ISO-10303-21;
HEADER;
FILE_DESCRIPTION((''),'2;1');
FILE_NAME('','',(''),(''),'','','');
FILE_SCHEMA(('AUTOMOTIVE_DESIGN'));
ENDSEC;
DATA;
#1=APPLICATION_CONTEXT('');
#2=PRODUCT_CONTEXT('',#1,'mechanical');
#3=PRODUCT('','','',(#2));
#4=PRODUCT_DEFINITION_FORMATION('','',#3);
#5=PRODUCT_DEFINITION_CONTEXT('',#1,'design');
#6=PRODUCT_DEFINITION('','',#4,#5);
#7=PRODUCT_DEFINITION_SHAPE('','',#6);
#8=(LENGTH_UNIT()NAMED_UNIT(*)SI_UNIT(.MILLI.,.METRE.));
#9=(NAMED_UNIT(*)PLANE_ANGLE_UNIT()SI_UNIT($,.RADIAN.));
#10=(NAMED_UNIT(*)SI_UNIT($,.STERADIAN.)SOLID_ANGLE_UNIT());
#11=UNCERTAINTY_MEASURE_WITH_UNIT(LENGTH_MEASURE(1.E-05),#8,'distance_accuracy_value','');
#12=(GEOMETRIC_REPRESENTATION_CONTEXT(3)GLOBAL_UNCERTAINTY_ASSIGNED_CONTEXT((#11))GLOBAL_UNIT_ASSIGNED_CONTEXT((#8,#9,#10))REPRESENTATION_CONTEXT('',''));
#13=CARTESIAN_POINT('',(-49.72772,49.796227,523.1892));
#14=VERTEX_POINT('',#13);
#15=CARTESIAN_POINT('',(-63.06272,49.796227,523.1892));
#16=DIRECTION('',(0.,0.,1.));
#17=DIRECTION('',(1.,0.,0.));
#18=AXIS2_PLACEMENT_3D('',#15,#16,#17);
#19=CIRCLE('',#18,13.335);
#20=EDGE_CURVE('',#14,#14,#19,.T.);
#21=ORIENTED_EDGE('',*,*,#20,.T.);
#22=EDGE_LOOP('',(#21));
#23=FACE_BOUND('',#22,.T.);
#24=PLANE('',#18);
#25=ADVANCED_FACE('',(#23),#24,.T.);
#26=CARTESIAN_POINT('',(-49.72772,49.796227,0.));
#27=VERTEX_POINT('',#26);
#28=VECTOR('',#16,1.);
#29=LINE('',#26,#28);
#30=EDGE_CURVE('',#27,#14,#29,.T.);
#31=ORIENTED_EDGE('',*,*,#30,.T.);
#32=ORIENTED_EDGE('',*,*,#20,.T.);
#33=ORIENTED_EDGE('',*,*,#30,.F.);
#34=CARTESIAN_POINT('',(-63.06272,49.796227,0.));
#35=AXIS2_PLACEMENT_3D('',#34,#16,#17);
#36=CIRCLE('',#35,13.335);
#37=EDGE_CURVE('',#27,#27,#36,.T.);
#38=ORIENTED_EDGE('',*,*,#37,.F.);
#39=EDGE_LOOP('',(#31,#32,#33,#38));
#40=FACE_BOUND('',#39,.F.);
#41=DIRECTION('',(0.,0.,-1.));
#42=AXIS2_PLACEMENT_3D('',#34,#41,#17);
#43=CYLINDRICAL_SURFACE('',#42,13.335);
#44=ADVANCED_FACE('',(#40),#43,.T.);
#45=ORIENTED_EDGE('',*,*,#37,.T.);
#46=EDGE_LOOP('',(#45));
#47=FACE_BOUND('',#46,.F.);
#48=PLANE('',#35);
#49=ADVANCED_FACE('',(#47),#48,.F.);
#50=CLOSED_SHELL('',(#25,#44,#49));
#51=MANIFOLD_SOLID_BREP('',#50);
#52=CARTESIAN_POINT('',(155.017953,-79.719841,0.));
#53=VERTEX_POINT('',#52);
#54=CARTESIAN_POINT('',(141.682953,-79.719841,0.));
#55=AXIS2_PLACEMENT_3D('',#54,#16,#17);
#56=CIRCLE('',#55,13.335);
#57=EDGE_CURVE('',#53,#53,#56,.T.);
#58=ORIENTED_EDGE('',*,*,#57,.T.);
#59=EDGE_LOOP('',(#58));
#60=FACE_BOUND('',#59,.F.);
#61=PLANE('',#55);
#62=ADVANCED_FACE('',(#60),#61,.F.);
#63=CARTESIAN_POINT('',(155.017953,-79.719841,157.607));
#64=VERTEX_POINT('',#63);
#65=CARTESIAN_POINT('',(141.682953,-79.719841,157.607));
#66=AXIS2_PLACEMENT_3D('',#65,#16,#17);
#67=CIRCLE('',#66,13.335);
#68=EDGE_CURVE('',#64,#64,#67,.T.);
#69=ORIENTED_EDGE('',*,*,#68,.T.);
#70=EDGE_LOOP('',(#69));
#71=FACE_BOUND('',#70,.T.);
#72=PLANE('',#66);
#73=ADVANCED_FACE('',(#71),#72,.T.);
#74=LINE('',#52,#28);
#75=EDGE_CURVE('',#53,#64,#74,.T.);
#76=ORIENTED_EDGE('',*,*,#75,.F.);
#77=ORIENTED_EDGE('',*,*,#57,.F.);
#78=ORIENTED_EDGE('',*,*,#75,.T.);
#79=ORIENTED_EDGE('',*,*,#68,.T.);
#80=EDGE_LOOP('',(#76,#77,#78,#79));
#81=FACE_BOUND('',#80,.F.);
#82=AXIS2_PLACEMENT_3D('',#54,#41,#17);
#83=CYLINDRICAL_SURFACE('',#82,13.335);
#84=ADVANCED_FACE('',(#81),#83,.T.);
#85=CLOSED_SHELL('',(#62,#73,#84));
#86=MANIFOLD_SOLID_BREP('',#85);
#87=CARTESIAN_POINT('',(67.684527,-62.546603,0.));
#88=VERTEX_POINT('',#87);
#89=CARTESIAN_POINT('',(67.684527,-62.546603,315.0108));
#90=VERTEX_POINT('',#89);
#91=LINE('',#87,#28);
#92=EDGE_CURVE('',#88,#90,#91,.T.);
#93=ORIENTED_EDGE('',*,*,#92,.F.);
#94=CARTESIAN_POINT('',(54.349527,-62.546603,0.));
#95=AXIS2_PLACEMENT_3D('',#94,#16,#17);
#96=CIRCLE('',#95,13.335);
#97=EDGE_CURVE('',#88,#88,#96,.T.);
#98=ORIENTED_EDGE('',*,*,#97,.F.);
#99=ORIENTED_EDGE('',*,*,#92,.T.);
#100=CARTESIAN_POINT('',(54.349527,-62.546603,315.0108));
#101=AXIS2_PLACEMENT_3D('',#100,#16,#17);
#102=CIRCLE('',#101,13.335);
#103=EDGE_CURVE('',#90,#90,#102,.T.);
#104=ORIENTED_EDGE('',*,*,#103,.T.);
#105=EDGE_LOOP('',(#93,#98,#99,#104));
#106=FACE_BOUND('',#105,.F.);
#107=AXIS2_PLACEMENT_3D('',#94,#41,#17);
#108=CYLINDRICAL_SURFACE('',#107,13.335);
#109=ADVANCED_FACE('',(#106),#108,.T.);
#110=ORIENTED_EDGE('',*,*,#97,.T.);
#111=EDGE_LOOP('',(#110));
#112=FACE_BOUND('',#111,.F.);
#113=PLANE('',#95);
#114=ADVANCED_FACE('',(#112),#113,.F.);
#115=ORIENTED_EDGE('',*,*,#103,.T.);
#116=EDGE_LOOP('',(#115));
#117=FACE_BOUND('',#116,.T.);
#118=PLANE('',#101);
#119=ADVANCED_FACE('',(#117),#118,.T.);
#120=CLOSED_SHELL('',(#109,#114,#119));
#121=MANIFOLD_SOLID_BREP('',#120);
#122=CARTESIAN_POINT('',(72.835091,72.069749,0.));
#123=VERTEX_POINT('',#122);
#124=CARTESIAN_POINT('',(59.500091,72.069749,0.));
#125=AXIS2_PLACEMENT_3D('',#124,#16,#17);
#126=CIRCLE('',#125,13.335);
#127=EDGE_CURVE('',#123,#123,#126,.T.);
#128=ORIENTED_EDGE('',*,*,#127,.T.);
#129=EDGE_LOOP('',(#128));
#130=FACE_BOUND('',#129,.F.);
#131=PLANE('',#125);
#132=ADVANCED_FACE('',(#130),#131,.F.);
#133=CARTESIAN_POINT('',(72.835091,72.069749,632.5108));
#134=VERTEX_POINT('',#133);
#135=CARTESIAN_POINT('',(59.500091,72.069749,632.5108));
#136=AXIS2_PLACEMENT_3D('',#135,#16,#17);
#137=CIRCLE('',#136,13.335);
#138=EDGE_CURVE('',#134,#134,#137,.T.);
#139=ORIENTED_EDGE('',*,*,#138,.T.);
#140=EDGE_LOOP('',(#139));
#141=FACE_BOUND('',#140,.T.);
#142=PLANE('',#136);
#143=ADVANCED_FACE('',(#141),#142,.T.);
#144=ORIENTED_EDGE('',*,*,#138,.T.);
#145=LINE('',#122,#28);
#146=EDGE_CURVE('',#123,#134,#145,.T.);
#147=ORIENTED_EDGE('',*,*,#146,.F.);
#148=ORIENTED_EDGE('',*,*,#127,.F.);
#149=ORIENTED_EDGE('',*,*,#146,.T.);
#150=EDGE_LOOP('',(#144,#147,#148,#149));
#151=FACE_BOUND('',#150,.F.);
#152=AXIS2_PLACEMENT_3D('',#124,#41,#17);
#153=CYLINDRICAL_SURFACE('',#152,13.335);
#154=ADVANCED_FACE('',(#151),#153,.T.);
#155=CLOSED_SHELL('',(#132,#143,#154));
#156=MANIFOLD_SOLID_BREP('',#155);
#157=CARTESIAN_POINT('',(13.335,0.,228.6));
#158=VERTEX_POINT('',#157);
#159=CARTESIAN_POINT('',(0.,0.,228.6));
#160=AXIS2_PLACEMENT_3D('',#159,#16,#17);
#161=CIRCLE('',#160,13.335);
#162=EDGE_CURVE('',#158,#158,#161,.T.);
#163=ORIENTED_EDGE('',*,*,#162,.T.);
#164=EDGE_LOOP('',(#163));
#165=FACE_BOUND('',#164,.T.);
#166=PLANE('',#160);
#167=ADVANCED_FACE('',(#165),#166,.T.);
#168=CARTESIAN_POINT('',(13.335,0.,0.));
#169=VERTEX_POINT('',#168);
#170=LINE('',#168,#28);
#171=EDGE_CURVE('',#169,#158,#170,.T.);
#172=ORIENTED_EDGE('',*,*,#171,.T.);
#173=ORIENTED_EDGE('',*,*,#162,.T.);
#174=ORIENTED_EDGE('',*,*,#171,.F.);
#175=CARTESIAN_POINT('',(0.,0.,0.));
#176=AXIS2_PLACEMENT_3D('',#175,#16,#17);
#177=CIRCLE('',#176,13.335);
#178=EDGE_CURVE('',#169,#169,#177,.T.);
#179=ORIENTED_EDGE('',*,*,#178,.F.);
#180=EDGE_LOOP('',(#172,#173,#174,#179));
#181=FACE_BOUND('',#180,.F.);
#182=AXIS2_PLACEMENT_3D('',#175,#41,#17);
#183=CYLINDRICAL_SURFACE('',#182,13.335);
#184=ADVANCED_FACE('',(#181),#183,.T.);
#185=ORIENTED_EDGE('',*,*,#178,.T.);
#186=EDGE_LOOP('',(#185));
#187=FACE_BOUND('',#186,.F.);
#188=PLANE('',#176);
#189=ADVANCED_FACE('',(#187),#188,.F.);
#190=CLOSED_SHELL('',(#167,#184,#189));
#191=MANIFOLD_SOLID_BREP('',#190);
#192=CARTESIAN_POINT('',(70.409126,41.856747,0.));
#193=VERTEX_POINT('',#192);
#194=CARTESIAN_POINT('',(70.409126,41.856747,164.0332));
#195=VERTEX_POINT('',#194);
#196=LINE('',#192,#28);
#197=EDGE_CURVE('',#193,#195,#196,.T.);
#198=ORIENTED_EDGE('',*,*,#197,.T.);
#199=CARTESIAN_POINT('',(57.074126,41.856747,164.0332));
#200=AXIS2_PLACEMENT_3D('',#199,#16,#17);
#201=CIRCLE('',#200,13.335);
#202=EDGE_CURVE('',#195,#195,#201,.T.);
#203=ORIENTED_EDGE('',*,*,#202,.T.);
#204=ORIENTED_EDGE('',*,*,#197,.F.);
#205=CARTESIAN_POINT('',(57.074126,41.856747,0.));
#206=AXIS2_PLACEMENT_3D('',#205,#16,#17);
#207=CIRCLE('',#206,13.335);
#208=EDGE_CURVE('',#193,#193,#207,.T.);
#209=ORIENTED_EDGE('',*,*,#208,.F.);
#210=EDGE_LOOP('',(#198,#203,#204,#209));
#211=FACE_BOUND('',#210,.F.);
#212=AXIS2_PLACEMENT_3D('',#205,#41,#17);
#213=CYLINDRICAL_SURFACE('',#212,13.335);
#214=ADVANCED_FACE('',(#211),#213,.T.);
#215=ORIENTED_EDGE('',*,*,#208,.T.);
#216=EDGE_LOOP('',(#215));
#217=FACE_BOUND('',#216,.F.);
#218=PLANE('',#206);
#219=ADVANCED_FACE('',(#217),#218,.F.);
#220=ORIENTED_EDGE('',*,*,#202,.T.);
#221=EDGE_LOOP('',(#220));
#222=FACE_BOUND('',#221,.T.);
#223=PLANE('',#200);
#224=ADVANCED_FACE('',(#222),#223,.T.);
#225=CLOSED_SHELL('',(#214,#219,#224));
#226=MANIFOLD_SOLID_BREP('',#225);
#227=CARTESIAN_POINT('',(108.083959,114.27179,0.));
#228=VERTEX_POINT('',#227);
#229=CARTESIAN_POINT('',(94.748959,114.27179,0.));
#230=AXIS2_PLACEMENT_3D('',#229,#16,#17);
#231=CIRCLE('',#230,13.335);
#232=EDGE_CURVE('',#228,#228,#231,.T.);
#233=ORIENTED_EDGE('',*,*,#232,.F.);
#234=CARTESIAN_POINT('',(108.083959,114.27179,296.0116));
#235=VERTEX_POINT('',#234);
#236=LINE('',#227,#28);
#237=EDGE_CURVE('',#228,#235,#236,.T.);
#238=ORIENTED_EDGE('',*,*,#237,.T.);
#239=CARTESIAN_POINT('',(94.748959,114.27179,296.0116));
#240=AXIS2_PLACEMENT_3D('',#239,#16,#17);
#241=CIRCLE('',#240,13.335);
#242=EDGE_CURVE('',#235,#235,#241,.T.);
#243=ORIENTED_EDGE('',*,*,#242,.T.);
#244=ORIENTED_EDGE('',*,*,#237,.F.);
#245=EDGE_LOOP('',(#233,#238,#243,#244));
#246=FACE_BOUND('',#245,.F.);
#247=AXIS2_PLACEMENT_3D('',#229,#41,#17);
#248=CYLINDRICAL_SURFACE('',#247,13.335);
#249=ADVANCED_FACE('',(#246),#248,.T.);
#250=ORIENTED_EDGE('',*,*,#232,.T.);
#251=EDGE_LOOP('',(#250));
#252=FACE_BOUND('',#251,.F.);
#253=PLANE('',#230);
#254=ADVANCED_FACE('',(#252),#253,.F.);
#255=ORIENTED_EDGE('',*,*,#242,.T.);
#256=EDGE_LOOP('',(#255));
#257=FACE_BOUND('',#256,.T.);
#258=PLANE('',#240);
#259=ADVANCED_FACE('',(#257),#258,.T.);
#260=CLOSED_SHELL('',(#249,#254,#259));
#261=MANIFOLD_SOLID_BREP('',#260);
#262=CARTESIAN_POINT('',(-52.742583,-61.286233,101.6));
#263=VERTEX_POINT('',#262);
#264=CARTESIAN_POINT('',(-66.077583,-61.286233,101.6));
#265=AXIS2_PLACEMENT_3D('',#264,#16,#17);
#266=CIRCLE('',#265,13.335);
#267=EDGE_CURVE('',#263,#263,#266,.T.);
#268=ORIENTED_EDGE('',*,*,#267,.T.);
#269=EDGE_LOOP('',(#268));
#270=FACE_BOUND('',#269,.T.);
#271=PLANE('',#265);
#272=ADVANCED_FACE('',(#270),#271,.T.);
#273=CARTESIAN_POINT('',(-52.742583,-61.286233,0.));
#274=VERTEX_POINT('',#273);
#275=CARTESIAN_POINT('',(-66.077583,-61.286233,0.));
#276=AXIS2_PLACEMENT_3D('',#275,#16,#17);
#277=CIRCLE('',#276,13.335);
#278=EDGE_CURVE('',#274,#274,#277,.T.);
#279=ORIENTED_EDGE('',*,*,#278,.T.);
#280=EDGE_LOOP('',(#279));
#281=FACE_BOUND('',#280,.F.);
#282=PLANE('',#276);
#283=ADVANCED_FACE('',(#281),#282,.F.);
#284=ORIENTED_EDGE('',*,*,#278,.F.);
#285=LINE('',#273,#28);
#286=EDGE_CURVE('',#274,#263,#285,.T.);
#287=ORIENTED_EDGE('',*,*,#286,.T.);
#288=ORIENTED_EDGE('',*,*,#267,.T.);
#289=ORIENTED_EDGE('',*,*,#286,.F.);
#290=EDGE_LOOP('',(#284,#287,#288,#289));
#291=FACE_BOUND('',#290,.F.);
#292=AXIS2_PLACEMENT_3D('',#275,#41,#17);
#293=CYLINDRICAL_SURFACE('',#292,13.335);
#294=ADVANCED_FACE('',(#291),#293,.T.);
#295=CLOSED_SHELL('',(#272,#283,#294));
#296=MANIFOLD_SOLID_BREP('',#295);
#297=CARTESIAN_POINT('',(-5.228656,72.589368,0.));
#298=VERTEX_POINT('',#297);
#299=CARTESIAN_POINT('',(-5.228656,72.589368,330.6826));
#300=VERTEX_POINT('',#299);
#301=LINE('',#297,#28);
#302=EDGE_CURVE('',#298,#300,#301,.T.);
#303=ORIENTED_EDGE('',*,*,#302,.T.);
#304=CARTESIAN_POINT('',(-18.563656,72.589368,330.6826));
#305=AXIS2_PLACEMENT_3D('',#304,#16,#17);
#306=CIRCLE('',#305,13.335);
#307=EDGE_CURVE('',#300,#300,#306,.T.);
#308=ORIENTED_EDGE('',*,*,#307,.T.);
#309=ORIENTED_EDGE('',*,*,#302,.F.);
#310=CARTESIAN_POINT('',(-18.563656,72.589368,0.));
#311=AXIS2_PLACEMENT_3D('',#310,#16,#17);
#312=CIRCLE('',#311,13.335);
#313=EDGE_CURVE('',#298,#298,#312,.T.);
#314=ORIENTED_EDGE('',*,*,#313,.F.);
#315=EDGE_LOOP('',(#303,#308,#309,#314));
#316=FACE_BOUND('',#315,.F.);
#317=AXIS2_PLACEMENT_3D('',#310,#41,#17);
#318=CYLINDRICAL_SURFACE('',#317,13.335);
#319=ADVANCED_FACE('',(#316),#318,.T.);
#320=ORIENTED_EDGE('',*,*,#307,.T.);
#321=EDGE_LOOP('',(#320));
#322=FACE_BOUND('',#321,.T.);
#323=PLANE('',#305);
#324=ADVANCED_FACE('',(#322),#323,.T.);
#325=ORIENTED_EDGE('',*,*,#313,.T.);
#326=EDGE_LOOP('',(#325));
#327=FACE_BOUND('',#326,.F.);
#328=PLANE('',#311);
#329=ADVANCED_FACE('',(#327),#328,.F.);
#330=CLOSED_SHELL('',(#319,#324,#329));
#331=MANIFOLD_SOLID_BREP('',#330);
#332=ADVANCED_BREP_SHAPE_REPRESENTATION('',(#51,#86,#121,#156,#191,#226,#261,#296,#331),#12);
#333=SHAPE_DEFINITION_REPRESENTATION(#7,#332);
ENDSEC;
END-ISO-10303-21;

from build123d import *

# Parameters (mm, degrees)
F0_R      = 13.335
F1_DEPTH  = 228.6
F2_R      = 13.335
F3_DEPTH  = 101.6
F4_R      = 13.335
F5_DEPTH  = 315.0108
F6_R      = 13.335
F7_DEPTH  = 523.1892
F8_R      = 13.335
F9_DEPTH  = 164.0332
F10_R     = 13.335
F11_DEPTH = 296.0116
F12_R     = 13.335
F13_DEPTH = 632.5108
F14_R     = 13.335
F15_DEPTH = 330.6826
F16_R     = 13.335
F17_DEPTH = 157.607


with BuildPart() as f1:
    # F0 (on Top) → F1 (new body)
    with BuildSketch(Plane.XY):
        Circle(F0_R)
    extrude(amount=F1_DEPTH)


with BuildPart() as f3:
    # F2 (on Top) → F3 (new body)
    with BuildSketch(Plane.XY):
        with Locations((-66.077583, -61.286233)):
            Circle(F2_R)
    extrude(amount=F3_DEPTH)


with BuildPart() as f5:
    # F4 (on Top) → F5 (new body)
    with BuildSketch(Plane.XY):
        with Locations((54.349527, -62.546603)):
            Circle(F4_R)
    extrude(amount=F5_DEPTH)


with BuildPart() as f7:
    # F6 (on Top) → F7 (new body)
    with BuildSketch(Plane.XY):
        with Locations((-63.06272, 49.796227)):
            Circle(F6_R)
    extrude(amount=F7_DEPTH)


with BuildPart() as f9:
    # F8 (on Top) → F9 (new body)
    with BuildSketch(Plane.XY):
        with Locations((57.074126, 41.856747)):
            Circle(F8_R)
    extrude(amount=F9_DEPTH)


with BuildPart() as f11:
    # F10 (on Top) → F11 (new body)
    with BuildSketch(Plane.XY):
        with Locations((94.748959, 114.27179)):
            Circle(F10_R)
    extrude(amount=F11_DEPTH)


with BuildPart() as f13:
    # F12 (on Top) → F13 (new body)
    with BuildSketch(Plane.XY):
        with Locations((59.500091, 72.069749)):
            Circle(F12_R)
    extrude(amount=F13_DEPTH)


with BuildPart() as f15:
    # F14 (on Top) → F15 (new body)
    with BuildSketch(Plane.XY):
        with Locations((-18.563656, 72.589368)):
            Circle(F14_R)
    extrude(amount=F15_DEPTH)


with BuildPart() as f17:
    # F16 (on Top) → F17 (new body)
    with BuildSketch(Plane.XY):
        with Locations((141.682953, -79.719841)):
            Circle(F16_R)
    extrude(amount=F17_DEPTH)


solid = Compound([f1.part, f3.part, f5.part, f7.part, f9.part, f11.part, f13.part, f15.part, f17.part])
